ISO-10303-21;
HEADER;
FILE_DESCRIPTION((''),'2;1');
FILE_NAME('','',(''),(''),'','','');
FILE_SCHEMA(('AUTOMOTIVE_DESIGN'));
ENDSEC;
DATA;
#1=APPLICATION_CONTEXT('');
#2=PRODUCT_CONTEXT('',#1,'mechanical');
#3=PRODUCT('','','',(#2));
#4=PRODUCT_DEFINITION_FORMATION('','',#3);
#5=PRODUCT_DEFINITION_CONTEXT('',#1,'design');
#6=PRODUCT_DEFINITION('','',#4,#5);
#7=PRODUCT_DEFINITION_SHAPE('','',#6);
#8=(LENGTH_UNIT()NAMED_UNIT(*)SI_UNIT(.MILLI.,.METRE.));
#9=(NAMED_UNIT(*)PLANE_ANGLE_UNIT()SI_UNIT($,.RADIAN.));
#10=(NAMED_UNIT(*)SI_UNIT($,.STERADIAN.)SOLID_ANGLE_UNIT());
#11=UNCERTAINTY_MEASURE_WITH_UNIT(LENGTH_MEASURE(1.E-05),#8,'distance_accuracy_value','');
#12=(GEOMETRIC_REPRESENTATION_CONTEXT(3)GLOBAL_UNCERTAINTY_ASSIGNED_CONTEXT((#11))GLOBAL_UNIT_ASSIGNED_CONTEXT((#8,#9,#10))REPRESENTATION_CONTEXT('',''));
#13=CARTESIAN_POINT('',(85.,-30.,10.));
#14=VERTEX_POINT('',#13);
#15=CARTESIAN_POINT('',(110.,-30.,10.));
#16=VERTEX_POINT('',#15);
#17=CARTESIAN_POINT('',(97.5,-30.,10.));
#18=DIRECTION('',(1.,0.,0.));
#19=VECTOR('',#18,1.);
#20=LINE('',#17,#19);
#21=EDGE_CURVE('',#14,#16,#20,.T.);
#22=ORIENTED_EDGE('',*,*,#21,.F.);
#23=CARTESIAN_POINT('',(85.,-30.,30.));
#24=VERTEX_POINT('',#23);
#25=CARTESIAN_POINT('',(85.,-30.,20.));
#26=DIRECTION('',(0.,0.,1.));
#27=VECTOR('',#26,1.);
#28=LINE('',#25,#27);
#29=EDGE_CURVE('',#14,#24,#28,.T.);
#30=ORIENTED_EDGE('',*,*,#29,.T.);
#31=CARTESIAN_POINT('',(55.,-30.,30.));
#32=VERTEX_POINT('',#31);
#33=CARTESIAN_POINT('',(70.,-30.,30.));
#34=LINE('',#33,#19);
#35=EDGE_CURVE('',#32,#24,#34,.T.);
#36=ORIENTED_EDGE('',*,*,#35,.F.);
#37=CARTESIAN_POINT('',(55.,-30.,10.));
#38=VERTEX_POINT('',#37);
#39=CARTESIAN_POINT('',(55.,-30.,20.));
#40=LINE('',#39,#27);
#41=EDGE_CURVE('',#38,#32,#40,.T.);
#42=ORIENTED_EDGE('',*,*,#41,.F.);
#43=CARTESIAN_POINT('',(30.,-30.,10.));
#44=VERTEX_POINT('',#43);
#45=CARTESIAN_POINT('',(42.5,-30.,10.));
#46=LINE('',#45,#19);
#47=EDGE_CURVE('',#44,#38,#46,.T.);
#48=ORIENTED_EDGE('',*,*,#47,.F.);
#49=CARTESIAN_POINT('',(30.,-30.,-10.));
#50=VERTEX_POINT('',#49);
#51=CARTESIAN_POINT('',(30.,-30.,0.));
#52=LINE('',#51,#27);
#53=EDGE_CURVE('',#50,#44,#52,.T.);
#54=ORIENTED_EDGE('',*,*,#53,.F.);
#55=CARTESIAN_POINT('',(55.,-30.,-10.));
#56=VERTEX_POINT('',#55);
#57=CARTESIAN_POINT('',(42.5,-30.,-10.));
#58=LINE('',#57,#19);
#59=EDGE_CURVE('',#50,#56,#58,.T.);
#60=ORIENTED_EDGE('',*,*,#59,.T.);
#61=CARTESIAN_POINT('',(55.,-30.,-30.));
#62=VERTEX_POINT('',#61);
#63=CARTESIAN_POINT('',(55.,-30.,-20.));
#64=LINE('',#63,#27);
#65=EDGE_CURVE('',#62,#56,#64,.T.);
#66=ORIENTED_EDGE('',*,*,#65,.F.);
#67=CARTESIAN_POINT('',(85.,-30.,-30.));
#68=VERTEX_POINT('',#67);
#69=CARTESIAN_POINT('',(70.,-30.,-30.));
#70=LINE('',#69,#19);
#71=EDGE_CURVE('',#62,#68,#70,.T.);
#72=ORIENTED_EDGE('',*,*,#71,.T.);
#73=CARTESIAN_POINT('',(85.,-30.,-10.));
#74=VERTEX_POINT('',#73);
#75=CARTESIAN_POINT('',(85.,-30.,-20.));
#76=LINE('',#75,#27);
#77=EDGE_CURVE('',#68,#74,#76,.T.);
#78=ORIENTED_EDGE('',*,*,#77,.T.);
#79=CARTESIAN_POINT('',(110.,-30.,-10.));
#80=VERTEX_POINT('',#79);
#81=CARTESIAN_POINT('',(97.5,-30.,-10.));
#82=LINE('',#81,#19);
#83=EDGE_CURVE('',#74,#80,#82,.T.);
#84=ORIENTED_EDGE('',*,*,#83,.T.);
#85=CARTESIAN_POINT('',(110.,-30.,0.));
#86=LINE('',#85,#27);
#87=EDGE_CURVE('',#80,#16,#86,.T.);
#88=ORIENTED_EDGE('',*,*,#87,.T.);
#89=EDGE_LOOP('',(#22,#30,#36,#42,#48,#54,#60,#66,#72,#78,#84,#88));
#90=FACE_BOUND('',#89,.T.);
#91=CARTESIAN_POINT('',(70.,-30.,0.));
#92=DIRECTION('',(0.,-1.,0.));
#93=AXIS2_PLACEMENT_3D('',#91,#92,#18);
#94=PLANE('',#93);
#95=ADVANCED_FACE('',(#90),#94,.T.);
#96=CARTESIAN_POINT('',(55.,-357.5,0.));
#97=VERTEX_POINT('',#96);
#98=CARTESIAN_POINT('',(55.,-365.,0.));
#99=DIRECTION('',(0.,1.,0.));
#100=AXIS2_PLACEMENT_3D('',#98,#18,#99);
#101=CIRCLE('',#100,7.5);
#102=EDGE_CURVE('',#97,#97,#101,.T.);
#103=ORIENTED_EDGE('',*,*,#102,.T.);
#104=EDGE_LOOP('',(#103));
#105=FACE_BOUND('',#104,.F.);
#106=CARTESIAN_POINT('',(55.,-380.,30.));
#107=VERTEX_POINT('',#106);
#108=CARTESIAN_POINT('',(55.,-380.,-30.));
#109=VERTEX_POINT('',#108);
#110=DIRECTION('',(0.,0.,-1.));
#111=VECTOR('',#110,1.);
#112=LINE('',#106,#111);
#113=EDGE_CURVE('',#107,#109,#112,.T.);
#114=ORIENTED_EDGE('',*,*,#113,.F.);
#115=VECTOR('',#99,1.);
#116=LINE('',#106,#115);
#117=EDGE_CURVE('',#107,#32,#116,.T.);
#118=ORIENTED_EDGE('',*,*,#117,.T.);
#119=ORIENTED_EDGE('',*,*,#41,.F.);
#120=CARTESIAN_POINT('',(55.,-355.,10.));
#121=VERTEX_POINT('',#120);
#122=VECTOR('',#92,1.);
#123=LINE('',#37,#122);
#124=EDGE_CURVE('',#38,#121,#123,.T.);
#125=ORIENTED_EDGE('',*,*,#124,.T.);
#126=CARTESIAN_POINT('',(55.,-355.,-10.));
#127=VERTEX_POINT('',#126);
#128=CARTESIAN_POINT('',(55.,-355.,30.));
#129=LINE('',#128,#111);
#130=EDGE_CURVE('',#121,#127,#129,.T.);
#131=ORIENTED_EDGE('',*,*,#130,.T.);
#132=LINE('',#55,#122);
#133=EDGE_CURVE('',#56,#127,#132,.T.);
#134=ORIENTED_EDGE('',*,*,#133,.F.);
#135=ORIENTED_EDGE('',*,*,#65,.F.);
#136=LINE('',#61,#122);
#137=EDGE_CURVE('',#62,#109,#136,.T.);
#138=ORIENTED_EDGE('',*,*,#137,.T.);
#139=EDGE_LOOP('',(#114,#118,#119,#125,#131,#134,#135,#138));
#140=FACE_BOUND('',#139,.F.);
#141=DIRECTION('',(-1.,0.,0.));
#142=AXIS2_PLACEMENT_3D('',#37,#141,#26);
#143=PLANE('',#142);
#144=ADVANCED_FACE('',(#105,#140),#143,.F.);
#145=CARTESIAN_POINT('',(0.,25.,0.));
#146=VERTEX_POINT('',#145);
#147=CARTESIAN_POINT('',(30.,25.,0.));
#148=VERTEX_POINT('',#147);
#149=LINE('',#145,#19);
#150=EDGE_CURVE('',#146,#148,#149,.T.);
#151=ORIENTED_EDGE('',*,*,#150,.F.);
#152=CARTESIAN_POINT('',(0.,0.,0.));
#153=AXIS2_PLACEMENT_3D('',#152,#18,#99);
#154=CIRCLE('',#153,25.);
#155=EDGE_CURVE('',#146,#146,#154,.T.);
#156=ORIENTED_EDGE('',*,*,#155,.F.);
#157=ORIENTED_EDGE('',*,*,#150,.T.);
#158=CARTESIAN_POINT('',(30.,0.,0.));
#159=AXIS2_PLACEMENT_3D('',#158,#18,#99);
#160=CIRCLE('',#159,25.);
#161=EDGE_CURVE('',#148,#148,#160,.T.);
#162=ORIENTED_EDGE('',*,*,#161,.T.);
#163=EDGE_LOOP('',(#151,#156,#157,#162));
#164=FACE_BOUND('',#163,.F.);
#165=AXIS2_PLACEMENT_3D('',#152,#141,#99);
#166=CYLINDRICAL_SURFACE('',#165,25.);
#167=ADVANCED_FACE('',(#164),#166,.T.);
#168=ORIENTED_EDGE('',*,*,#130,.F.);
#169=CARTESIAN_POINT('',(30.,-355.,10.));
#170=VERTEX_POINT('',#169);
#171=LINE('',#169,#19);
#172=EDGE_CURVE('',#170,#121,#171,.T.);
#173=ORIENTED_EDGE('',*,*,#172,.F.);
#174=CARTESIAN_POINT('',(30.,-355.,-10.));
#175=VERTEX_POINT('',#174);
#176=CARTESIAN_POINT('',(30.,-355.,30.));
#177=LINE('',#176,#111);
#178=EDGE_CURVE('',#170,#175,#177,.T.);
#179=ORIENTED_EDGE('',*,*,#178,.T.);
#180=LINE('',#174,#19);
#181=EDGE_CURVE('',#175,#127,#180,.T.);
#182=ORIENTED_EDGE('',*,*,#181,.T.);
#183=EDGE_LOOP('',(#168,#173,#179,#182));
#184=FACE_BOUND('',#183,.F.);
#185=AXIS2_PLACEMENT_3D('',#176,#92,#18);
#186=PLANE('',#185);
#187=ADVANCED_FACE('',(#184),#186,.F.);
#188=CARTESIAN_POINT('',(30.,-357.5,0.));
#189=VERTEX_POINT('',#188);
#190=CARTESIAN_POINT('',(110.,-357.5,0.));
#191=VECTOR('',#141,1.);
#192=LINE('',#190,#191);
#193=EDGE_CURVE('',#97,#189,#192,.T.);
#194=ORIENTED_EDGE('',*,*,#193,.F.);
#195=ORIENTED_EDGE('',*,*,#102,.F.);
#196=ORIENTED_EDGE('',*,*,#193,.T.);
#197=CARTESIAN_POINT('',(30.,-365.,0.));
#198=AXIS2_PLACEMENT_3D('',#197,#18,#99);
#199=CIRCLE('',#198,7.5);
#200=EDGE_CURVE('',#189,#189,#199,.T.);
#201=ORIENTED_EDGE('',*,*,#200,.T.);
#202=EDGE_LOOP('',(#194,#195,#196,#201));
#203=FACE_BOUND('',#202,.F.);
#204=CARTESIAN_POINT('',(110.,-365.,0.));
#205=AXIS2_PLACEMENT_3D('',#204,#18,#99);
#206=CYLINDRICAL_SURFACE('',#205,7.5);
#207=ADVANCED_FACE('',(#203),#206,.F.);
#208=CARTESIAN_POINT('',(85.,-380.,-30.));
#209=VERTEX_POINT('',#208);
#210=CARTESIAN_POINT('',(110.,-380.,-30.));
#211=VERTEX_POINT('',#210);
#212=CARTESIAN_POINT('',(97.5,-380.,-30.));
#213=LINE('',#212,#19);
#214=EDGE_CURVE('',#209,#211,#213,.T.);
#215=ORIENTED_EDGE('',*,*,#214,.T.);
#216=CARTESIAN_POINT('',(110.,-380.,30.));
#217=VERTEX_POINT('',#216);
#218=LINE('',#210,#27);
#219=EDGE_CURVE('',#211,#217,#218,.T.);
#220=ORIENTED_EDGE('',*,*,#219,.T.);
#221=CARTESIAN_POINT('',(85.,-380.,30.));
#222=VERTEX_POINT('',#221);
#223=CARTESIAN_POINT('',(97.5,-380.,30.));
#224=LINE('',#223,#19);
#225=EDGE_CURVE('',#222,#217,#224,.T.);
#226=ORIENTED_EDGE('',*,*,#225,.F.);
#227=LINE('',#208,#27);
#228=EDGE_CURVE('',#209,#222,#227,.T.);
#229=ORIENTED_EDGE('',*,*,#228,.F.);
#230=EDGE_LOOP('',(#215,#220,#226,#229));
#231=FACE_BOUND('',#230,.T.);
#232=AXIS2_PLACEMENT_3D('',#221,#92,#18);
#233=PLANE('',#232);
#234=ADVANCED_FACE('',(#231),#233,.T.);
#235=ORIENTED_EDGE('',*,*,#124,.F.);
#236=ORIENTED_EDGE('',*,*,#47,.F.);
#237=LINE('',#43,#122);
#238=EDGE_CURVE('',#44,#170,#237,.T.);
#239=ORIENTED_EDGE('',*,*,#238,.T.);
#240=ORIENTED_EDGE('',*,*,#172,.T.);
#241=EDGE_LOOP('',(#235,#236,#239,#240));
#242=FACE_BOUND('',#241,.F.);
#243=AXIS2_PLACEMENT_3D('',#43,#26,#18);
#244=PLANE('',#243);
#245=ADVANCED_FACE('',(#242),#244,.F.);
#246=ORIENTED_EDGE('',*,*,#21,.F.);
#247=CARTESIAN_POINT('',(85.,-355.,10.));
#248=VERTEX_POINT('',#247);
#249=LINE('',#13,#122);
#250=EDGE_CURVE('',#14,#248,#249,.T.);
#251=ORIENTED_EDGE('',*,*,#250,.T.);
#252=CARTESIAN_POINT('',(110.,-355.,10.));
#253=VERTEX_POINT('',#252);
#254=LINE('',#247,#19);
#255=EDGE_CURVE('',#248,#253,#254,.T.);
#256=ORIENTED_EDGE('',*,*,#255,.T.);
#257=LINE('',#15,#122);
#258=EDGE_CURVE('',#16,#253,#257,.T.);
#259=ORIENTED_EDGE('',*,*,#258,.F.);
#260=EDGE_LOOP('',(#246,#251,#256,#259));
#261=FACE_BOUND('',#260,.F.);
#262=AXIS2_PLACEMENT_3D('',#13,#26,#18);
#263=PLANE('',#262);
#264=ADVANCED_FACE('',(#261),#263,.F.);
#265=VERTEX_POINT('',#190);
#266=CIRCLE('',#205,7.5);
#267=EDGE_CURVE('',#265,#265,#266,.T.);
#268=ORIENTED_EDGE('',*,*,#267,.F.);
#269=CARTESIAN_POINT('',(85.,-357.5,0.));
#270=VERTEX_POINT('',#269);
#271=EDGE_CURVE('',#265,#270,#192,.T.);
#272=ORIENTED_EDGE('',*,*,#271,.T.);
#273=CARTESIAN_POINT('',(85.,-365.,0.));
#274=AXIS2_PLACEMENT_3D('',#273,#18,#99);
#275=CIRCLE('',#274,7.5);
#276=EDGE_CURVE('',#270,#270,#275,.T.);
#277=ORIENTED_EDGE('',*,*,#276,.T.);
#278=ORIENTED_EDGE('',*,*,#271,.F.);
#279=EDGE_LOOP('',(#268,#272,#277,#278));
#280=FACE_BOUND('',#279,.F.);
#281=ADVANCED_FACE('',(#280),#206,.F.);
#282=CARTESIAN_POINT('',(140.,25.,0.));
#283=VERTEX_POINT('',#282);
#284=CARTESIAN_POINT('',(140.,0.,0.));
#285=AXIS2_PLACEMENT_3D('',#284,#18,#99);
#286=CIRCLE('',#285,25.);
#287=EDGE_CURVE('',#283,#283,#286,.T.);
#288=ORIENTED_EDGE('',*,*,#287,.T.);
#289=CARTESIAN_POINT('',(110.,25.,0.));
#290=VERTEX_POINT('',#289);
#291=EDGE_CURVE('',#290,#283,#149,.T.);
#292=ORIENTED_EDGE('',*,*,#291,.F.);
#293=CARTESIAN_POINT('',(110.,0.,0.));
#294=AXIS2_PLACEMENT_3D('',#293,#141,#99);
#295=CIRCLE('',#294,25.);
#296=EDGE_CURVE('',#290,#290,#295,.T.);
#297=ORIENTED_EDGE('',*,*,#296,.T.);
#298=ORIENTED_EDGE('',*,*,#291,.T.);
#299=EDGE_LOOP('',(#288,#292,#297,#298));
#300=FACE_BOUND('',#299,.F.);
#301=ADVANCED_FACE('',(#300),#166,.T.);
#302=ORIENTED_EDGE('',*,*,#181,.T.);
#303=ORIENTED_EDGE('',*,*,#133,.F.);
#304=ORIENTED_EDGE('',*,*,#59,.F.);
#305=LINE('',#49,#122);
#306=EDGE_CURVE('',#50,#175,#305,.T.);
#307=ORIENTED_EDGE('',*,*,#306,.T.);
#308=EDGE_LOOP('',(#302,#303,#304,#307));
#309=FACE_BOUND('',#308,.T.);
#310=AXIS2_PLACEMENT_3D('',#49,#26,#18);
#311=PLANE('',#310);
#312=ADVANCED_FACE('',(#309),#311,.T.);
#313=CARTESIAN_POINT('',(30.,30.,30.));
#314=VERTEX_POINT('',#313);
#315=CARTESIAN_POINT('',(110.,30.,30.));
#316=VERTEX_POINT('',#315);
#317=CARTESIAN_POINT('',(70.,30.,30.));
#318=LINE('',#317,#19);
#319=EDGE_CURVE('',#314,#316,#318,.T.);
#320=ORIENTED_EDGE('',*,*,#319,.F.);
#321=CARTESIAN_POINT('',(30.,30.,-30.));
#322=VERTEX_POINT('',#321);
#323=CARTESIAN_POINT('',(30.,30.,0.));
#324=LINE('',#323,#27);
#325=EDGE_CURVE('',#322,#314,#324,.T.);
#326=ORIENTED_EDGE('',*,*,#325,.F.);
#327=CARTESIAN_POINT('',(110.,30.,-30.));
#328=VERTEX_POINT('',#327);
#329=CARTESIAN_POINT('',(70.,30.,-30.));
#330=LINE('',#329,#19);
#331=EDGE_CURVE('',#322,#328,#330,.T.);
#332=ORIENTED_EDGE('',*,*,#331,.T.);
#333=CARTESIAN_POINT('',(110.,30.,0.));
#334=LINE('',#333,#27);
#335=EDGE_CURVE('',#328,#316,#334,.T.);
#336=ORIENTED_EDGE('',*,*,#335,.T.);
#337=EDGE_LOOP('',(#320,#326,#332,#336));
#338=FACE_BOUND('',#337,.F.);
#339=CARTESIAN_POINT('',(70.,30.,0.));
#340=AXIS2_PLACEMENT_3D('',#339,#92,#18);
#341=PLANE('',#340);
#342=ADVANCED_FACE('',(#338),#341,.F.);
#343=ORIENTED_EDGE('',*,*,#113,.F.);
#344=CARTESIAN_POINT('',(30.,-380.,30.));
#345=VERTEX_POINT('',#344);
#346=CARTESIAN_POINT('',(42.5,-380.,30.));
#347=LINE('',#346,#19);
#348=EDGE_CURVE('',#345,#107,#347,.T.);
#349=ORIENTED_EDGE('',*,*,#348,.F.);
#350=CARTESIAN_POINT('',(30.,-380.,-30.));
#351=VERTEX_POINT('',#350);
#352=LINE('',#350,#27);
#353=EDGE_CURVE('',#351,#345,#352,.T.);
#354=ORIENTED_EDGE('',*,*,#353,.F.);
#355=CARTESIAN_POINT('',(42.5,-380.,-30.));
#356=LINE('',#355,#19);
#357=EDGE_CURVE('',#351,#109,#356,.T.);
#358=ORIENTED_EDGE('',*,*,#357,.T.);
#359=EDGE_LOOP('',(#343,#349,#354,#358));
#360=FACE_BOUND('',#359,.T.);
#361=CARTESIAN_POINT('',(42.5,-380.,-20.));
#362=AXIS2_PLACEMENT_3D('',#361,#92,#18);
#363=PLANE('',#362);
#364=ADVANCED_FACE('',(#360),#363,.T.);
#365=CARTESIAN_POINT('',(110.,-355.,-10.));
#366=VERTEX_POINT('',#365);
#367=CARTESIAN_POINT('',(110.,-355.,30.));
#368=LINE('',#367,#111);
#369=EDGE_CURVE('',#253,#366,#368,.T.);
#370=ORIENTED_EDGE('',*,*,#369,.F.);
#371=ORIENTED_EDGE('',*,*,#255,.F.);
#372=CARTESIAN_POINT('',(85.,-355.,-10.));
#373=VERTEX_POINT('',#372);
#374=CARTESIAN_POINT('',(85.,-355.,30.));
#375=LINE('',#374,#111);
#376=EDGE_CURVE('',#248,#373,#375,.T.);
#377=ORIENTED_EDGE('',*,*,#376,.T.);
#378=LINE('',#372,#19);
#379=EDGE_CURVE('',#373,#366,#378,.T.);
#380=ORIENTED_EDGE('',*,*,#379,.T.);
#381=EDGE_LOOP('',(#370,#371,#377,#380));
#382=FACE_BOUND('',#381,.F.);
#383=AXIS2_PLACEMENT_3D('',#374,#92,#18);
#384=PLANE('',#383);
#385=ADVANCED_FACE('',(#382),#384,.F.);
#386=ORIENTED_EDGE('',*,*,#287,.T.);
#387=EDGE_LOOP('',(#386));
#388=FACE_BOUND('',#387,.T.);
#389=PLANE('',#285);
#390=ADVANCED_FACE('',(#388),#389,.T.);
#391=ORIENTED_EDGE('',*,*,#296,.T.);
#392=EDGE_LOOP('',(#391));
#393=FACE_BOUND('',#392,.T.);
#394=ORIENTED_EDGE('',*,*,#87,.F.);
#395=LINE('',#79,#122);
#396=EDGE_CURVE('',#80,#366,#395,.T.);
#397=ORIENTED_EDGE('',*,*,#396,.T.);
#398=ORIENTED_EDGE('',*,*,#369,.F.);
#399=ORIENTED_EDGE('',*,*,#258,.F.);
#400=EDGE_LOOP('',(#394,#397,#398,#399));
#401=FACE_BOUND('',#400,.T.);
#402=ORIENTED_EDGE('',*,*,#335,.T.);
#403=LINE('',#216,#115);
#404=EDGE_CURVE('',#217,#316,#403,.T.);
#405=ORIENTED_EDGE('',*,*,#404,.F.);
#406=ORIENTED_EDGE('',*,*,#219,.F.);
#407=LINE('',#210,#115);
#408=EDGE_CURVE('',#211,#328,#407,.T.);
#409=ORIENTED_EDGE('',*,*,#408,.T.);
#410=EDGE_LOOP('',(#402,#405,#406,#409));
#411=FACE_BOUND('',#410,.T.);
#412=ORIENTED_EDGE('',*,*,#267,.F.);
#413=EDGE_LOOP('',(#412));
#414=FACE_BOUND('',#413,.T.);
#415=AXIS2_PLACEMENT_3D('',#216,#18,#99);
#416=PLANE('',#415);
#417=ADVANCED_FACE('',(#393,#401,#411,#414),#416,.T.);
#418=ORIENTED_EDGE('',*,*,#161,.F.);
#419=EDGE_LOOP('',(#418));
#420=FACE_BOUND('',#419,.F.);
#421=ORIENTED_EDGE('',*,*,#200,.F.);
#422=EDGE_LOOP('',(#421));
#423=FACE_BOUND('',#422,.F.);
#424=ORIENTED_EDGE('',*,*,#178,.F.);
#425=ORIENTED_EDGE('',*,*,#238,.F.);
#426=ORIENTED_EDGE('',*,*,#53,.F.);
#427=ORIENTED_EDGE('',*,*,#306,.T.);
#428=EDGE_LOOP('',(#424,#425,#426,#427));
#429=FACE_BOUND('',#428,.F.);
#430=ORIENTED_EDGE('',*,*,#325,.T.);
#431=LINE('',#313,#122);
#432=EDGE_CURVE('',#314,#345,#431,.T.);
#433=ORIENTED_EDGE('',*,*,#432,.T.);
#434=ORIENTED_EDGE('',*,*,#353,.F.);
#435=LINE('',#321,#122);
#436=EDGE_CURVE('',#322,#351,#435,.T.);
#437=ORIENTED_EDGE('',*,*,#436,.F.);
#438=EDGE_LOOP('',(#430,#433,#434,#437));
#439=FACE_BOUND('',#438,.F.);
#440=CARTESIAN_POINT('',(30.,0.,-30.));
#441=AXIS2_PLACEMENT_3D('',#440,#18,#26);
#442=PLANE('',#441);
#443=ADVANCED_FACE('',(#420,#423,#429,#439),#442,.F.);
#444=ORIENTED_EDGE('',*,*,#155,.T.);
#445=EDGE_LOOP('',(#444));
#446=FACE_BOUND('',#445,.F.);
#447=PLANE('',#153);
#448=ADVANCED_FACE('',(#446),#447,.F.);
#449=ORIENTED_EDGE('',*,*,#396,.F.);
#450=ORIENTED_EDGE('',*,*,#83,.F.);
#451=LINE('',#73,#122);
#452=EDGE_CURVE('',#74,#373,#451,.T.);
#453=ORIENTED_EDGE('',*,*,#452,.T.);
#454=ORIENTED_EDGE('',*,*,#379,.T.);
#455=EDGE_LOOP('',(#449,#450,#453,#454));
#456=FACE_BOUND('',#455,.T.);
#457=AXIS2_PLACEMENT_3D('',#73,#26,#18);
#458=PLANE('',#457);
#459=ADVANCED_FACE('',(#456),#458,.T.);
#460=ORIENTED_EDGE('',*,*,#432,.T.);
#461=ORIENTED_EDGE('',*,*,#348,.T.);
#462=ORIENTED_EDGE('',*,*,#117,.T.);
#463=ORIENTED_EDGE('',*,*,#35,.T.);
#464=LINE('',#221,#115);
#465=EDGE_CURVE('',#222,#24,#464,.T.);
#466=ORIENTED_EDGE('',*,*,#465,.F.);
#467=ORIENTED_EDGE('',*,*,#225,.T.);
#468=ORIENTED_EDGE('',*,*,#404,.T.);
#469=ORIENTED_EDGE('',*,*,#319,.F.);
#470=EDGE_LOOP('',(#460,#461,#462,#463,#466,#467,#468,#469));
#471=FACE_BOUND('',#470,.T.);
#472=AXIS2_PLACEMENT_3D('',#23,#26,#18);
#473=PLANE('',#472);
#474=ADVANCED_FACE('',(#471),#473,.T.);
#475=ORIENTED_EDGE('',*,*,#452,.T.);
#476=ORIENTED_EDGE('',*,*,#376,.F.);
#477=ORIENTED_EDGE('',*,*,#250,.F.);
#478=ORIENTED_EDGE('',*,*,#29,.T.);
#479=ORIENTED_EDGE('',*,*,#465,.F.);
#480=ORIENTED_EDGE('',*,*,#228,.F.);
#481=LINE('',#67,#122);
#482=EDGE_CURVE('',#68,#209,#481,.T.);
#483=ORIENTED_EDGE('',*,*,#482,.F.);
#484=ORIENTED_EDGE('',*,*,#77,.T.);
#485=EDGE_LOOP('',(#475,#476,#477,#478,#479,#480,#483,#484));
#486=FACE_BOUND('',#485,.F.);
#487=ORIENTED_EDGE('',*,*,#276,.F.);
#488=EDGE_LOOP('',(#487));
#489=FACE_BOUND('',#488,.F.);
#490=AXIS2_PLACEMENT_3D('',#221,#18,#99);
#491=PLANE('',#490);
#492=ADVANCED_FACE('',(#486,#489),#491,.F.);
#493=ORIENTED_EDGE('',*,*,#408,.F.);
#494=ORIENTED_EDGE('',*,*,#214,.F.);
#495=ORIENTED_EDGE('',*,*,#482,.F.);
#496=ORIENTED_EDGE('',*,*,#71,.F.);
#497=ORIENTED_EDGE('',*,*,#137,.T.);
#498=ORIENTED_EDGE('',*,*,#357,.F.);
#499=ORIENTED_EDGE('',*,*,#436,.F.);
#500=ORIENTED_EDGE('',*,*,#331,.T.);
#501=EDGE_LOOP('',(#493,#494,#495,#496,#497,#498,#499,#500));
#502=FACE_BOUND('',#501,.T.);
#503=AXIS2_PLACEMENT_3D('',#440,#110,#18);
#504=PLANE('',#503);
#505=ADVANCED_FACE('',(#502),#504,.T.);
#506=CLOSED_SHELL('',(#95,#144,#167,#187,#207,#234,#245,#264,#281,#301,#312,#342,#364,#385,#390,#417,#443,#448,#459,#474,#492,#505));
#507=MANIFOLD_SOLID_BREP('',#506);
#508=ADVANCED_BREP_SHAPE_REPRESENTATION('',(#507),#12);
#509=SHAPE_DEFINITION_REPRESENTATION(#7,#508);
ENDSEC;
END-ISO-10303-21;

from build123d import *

# Parameters (mm, degrees)
F0_R          = 25
F1_DEPTH      = 140
F2_W          = 80
F2_H          = 60
F3_DEPTH      = 30
F3_DEPTH_BACK = 30
F4_W          = 25
F4_H          = 20
F5_DEPTH      = 350
F6_W          = 25
F6_H          = 25
F7_DEPTH      = 50
F8_R          = 7.5
F9_DEPTH      = 110.001


with BuildPart() as f1:
    # F0 (on Right) → F1 (new body)
    with BuildSketch(Plane.YZ):
        Circle(F0_R)
    extrude(amount=F1_DEPTH)

    # F2 (on Front) → F3 (join, two sides)
    with BuildSketch(Plane.XZ) as f3_sk:
        with Locations((70, 0)):
            Rectangle(F2_W, F2_H)
    extrude(amount=F3_DEPTH)
    extrude(f3_sk.sketch, amount=-F3_DEPTH_BACK)

    # F4 (on face) → F5 (join)
    with BuildSketch(Plane.XZ.offset(30)):
        with Locations((97.5, 20)):
            Rectangle(F4_W, F4_H)
        with Locations((42.5, 20)):
            Rectangle(F4_W, F4_H)
        with Locations((42.5, -20)):
            Rectangle(F4_W, F4_H)
        with Locations((97.5, -20)):
            Rectangle(F4_W, F4_H)
    extrude(amount=F5_DEPTH)

    # F6 (on face) → F7 (join)
    with BuildSketch(Plane.XY.offset(30)):
        with Locations((97.5, -367.5)):
            Rectangle(F6_W, F6_H)
        with Locations((42.5, -367.5)):
            Rectangle(F6_W, F6_H)
    extrude(amount=-F7_DEPTH)

    # F8 (on face) → F9 (cut, through all)
    with BuildSketch(Plane.YZ.offset(110)):
        with Locations((-365, 0)):
            Circle(F8_R)
    extrude(amount=-F9_DEPTH, mode=Mode.SUBTRACT)


solid = f1.part
